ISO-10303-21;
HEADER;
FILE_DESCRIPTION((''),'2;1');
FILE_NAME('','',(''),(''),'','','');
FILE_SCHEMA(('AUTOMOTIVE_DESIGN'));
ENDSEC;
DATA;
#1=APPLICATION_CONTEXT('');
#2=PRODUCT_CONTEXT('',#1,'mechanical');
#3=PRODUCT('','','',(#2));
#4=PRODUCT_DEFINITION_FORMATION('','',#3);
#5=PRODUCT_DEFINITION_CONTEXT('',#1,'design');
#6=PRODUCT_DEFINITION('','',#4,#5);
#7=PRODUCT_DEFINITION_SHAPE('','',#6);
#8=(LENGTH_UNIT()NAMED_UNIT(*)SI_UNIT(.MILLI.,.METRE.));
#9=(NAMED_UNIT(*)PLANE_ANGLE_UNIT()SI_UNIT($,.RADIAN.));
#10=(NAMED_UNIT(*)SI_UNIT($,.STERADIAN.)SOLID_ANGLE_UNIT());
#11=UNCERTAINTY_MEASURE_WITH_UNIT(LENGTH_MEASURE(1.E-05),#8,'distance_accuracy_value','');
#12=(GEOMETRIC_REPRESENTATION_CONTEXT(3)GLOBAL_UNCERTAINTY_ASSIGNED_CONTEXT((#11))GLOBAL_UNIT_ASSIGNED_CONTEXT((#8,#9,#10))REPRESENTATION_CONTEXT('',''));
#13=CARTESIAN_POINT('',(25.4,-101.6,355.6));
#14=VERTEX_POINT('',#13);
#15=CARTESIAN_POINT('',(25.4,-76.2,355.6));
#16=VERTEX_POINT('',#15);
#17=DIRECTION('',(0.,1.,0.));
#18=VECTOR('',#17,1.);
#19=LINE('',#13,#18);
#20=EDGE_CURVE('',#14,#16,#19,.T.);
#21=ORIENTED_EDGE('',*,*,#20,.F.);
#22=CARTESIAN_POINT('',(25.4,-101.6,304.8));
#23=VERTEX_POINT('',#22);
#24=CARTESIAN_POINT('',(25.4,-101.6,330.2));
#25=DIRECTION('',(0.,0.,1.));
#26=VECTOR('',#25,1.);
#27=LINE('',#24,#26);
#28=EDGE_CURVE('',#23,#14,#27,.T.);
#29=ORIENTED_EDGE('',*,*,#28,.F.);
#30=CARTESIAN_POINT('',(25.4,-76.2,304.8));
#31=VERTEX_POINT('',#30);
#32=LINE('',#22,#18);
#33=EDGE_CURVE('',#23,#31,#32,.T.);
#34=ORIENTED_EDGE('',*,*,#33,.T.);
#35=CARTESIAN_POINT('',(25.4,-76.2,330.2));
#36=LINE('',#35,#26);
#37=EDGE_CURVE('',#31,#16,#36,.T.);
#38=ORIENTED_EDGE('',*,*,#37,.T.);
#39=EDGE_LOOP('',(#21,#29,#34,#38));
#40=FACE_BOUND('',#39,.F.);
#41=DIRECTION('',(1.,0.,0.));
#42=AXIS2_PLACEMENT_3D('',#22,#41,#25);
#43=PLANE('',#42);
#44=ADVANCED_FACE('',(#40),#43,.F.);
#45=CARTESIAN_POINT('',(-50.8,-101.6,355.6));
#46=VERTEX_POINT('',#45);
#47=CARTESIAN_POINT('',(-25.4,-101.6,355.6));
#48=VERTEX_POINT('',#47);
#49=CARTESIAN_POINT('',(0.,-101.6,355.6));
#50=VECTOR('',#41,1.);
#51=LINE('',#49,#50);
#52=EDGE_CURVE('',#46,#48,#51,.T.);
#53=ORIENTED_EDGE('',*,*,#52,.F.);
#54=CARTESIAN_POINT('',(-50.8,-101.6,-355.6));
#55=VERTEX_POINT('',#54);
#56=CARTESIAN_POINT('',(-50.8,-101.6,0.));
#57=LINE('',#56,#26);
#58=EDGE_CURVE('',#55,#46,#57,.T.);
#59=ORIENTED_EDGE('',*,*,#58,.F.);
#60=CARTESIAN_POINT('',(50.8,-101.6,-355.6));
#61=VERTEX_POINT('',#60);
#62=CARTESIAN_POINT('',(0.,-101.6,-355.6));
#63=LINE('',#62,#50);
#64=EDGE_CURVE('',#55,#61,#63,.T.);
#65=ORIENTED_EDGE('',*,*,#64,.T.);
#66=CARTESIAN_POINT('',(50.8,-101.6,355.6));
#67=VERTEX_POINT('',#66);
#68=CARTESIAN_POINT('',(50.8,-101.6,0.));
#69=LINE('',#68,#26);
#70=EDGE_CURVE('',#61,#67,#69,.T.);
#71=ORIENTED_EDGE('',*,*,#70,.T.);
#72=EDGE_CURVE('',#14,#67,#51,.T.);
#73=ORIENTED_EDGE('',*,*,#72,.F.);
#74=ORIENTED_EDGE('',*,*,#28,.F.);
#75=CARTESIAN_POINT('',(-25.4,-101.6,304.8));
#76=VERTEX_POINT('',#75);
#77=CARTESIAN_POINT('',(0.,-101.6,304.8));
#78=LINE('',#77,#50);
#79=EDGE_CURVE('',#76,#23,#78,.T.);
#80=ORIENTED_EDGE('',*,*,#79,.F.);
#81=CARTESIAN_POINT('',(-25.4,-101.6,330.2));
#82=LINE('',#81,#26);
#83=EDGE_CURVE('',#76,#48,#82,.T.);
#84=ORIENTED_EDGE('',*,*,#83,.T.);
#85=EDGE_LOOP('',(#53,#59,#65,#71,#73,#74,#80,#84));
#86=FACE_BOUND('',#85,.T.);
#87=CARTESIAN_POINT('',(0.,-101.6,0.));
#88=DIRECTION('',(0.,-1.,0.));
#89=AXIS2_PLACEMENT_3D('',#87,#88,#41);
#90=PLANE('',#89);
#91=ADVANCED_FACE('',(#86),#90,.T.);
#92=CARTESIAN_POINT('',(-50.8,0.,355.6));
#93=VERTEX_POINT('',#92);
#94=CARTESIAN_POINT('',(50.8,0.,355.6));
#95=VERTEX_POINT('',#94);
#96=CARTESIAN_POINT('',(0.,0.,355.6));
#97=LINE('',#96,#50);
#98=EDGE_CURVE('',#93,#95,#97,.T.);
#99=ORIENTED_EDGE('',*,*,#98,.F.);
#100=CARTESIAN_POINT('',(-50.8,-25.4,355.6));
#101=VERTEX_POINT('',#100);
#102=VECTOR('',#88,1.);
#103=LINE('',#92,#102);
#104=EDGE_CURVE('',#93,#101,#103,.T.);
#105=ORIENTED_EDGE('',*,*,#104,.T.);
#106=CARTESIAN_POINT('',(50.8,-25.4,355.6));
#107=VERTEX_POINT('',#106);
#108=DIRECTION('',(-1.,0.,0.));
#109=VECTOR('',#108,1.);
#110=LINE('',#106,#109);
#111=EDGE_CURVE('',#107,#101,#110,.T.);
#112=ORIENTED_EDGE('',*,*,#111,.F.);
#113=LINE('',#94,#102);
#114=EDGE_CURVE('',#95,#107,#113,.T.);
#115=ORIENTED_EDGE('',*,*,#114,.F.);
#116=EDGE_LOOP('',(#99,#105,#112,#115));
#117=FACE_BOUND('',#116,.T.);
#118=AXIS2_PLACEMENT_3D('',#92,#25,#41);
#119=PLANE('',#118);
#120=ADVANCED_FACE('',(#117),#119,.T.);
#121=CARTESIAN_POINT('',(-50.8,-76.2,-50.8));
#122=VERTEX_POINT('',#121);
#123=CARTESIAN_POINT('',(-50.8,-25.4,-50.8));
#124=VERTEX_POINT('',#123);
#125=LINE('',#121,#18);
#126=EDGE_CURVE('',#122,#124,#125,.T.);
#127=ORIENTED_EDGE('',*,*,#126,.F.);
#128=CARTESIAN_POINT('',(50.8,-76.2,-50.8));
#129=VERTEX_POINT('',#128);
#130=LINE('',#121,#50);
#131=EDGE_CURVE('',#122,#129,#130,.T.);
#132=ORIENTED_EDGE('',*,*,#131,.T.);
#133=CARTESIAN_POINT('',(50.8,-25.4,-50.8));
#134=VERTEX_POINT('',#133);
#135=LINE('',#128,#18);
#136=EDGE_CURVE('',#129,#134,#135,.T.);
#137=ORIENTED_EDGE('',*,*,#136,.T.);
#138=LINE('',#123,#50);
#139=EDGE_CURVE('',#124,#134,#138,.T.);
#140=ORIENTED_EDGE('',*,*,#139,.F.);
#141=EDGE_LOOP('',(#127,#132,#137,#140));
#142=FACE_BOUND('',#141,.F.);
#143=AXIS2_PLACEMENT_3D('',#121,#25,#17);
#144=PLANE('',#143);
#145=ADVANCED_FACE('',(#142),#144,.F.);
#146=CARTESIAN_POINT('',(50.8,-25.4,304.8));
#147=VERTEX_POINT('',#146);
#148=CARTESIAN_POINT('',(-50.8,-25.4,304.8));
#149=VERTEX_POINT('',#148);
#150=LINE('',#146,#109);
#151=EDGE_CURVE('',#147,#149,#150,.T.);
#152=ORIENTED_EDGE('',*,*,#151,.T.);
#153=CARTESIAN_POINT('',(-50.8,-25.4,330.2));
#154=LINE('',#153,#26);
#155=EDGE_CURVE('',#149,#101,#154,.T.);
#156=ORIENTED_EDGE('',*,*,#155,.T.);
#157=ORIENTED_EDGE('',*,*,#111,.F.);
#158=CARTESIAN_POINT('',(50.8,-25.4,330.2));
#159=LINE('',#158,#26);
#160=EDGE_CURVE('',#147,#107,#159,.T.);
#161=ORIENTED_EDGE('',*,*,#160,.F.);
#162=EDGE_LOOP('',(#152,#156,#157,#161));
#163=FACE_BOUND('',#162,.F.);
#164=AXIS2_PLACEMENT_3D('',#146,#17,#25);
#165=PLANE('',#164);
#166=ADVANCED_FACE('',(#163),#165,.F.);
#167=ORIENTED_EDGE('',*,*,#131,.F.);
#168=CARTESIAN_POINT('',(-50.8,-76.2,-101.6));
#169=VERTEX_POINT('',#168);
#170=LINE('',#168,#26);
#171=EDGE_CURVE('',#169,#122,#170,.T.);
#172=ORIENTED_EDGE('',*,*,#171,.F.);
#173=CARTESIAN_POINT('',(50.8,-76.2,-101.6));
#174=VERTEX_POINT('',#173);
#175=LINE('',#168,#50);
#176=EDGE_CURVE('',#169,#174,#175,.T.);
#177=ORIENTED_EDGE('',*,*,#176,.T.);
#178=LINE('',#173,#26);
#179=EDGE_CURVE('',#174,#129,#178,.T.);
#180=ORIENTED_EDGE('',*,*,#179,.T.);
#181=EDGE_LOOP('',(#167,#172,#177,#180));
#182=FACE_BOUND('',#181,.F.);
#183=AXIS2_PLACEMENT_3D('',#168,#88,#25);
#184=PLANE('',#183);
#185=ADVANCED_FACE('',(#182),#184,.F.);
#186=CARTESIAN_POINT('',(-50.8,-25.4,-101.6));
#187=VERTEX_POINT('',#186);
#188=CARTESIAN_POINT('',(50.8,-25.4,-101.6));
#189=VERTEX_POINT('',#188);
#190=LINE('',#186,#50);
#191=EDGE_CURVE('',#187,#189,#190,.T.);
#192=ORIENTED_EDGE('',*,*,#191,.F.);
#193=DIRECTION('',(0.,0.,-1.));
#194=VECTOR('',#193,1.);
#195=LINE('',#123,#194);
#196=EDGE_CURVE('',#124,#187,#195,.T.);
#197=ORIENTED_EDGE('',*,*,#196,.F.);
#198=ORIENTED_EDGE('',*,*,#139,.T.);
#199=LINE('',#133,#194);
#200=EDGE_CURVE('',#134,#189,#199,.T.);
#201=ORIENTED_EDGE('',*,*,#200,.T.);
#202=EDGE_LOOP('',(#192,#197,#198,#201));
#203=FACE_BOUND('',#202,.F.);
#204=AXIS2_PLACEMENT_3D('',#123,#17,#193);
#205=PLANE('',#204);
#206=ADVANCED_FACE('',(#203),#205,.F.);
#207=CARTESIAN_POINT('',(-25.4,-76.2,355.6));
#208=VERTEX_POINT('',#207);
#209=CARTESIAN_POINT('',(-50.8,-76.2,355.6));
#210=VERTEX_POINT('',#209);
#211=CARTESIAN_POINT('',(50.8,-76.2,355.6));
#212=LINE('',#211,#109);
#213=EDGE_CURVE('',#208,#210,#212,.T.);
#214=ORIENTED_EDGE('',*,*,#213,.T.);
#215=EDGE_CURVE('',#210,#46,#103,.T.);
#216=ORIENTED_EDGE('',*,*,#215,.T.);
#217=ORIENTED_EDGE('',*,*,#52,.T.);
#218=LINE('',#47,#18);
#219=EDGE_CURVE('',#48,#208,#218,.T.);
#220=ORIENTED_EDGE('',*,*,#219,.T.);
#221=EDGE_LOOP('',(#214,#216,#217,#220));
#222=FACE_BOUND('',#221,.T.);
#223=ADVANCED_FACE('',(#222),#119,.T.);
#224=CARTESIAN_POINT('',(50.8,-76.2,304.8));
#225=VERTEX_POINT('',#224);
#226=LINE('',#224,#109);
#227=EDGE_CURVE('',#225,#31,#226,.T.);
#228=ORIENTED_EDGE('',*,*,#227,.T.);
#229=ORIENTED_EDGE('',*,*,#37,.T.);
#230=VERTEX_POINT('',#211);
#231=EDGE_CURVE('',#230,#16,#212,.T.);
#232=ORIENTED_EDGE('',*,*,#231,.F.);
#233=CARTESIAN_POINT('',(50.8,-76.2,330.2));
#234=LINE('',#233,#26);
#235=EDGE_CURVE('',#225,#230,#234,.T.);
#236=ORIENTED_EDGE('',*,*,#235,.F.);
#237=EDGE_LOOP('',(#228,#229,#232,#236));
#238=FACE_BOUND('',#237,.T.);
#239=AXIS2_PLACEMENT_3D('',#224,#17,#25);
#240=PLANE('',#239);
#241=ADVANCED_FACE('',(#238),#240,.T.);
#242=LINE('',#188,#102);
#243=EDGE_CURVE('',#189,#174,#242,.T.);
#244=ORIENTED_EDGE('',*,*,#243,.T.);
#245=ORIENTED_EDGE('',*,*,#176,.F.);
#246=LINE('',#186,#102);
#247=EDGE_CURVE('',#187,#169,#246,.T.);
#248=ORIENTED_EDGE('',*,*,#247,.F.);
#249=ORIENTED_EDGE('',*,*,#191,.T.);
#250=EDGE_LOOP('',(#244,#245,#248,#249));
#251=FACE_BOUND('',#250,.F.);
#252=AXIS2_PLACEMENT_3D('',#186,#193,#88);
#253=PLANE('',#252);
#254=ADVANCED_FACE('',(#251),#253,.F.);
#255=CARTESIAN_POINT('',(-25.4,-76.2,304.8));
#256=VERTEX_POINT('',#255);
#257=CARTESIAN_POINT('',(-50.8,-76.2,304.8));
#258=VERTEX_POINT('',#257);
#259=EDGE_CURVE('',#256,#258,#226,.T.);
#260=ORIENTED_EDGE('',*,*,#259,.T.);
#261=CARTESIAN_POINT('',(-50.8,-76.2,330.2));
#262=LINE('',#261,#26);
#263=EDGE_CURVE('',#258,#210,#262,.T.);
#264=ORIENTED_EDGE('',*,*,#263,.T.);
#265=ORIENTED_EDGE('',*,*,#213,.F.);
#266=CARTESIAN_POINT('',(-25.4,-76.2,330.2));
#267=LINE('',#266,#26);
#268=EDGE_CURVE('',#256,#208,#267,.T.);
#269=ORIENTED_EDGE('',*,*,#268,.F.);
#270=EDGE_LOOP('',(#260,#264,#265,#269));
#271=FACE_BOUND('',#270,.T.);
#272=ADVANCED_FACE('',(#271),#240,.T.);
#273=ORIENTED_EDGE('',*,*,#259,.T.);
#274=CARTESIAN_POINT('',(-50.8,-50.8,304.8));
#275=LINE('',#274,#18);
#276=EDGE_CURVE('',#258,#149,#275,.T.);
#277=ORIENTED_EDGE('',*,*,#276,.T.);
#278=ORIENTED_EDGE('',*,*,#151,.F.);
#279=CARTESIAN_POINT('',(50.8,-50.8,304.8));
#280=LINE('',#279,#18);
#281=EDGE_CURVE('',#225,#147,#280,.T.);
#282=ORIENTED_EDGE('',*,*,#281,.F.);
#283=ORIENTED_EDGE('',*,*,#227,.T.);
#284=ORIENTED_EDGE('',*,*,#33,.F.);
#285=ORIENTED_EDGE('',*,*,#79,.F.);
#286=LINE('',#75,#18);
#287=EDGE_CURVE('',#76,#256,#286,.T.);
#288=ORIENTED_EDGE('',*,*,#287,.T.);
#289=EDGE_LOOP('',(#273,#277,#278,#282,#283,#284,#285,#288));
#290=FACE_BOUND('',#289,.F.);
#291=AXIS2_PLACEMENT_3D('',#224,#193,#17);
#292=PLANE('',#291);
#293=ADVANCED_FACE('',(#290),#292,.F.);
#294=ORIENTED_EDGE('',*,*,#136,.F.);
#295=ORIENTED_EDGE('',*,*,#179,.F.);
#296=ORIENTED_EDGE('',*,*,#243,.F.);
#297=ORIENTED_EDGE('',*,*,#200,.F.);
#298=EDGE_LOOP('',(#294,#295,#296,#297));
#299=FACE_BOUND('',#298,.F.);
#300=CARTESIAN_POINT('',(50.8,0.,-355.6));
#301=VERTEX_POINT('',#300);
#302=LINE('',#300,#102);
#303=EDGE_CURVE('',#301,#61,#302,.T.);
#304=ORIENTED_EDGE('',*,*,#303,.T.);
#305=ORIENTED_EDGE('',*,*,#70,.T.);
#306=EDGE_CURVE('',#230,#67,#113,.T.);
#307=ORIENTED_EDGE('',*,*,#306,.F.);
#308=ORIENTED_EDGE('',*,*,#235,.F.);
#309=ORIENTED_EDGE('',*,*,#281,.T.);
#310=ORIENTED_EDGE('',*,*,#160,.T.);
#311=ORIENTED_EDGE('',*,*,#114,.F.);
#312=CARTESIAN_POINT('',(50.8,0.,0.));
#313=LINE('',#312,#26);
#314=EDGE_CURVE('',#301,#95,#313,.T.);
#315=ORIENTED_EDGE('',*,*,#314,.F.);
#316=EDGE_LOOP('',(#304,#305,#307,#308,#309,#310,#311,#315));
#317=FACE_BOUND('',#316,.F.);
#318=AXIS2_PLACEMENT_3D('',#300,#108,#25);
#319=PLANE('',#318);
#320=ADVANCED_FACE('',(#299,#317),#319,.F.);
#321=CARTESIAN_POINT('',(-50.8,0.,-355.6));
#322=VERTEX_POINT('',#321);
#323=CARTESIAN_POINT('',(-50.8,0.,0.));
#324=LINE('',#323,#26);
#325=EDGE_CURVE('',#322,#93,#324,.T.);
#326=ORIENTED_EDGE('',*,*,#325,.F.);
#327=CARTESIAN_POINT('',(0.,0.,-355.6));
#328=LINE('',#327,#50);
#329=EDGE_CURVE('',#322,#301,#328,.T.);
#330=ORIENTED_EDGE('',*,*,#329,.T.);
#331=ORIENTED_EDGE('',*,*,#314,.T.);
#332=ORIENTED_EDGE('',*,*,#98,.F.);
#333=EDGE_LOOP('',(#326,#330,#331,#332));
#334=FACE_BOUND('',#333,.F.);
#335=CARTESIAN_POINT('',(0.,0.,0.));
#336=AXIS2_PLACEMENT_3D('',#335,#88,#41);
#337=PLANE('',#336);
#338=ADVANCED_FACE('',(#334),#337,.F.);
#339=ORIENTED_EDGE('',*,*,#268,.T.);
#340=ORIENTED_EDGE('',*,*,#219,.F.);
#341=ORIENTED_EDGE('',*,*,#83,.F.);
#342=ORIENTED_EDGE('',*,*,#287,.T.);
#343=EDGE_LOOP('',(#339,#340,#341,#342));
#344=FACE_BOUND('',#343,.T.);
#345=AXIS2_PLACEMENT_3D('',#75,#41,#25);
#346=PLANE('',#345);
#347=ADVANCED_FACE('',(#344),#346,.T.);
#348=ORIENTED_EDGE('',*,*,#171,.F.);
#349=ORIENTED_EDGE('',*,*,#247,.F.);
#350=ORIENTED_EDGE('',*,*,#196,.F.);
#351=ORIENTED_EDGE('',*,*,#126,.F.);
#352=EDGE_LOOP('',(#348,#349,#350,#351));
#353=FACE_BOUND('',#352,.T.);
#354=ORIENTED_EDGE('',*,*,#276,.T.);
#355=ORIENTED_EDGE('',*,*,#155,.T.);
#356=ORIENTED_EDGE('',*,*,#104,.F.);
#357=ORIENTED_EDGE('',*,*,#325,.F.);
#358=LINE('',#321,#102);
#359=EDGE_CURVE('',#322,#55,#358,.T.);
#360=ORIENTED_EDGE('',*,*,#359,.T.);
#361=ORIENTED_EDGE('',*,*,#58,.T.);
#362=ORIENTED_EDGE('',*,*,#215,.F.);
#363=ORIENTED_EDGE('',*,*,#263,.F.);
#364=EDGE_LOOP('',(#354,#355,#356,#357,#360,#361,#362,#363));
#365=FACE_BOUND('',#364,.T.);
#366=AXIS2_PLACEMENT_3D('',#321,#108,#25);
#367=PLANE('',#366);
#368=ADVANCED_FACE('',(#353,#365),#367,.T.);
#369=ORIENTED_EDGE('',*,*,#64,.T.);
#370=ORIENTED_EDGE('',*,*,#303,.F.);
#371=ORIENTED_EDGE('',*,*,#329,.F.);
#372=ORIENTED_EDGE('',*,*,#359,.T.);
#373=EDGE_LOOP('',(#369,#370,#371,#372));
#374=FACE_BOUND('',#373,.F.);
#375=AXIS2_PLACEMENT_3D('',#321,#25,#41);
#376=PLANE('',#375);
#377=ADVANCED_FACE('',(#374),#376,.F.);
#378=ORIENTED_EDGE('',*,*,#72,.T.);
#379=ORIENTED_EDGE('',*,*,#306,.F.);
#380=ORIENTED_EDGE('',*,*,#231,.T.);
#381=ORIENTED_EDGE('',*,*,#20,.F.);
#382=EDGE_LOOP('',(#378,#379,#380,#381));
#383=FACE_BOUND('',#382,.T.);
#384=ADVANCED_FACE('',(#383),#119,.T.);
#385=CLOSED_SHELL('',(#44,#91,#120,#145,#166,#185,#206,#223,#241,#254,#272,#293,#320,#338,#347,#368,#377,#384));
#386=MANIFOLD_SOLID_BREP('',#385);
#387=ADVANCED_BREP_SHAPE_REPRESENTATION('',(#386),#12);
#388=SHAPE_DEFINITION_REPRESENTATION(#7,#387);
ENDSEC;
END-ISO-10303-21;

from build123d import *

# Parameters (mm, degrees)
F0_W     = 101.6
F0_H     = 711.2
F1_DEPTH = 101.6
F3_W     = 50.8
F3_H     = 50.8
F4_DEPTH = 101.6
F2_W     = 50.8
F2_H     = 50.8
F5_DEPTH = 25.4
F7_DEPTH = 101.6


with BuildPart() as f1:
    # F0 (on Front) → F1 (new body)
    with BuildSketch(Plane.XZ):
        Rectangle(F0_W, F0_H)
    extrude(amount=F1_DEPTH)

    # F3 (on face) → F4 (cut)
    with BuildSketch(Plane.YZ.offset(50.8)):
        with Locations((-50.8, 330.2)):
            Rectangle(F3_W, F3_H)
    extrude(amount=-F4_DEPTH, mode=Mode.SUBTRACT)

    # F2 (on face) → F5 (cut)
    with BuildSketch(Plane.XZ.offset(101.6)):
        with Locations((0, 330.2)):
            Rectangle(F2_W, F2_H)
    extrude(amount=-F5_DEPTH, mode=Mode.SUBTRACT)

    # F6 (on face) → F7 (cut)
    with BuildSketch(Plane(origin=(-50.8, 0, 0), x_dir=(0, -1, 0), z_dir=(-1, 0, 0))):
        Polygon((50.8, -101.6), (76.2, -101.6), (76.2, -50.8), (25.4, -50.8), (25.4, -101.6), align=None)
    extrude(amount=-F7_DEPTH, mode=Mode.SUBTRACT)


solid = f1.part
